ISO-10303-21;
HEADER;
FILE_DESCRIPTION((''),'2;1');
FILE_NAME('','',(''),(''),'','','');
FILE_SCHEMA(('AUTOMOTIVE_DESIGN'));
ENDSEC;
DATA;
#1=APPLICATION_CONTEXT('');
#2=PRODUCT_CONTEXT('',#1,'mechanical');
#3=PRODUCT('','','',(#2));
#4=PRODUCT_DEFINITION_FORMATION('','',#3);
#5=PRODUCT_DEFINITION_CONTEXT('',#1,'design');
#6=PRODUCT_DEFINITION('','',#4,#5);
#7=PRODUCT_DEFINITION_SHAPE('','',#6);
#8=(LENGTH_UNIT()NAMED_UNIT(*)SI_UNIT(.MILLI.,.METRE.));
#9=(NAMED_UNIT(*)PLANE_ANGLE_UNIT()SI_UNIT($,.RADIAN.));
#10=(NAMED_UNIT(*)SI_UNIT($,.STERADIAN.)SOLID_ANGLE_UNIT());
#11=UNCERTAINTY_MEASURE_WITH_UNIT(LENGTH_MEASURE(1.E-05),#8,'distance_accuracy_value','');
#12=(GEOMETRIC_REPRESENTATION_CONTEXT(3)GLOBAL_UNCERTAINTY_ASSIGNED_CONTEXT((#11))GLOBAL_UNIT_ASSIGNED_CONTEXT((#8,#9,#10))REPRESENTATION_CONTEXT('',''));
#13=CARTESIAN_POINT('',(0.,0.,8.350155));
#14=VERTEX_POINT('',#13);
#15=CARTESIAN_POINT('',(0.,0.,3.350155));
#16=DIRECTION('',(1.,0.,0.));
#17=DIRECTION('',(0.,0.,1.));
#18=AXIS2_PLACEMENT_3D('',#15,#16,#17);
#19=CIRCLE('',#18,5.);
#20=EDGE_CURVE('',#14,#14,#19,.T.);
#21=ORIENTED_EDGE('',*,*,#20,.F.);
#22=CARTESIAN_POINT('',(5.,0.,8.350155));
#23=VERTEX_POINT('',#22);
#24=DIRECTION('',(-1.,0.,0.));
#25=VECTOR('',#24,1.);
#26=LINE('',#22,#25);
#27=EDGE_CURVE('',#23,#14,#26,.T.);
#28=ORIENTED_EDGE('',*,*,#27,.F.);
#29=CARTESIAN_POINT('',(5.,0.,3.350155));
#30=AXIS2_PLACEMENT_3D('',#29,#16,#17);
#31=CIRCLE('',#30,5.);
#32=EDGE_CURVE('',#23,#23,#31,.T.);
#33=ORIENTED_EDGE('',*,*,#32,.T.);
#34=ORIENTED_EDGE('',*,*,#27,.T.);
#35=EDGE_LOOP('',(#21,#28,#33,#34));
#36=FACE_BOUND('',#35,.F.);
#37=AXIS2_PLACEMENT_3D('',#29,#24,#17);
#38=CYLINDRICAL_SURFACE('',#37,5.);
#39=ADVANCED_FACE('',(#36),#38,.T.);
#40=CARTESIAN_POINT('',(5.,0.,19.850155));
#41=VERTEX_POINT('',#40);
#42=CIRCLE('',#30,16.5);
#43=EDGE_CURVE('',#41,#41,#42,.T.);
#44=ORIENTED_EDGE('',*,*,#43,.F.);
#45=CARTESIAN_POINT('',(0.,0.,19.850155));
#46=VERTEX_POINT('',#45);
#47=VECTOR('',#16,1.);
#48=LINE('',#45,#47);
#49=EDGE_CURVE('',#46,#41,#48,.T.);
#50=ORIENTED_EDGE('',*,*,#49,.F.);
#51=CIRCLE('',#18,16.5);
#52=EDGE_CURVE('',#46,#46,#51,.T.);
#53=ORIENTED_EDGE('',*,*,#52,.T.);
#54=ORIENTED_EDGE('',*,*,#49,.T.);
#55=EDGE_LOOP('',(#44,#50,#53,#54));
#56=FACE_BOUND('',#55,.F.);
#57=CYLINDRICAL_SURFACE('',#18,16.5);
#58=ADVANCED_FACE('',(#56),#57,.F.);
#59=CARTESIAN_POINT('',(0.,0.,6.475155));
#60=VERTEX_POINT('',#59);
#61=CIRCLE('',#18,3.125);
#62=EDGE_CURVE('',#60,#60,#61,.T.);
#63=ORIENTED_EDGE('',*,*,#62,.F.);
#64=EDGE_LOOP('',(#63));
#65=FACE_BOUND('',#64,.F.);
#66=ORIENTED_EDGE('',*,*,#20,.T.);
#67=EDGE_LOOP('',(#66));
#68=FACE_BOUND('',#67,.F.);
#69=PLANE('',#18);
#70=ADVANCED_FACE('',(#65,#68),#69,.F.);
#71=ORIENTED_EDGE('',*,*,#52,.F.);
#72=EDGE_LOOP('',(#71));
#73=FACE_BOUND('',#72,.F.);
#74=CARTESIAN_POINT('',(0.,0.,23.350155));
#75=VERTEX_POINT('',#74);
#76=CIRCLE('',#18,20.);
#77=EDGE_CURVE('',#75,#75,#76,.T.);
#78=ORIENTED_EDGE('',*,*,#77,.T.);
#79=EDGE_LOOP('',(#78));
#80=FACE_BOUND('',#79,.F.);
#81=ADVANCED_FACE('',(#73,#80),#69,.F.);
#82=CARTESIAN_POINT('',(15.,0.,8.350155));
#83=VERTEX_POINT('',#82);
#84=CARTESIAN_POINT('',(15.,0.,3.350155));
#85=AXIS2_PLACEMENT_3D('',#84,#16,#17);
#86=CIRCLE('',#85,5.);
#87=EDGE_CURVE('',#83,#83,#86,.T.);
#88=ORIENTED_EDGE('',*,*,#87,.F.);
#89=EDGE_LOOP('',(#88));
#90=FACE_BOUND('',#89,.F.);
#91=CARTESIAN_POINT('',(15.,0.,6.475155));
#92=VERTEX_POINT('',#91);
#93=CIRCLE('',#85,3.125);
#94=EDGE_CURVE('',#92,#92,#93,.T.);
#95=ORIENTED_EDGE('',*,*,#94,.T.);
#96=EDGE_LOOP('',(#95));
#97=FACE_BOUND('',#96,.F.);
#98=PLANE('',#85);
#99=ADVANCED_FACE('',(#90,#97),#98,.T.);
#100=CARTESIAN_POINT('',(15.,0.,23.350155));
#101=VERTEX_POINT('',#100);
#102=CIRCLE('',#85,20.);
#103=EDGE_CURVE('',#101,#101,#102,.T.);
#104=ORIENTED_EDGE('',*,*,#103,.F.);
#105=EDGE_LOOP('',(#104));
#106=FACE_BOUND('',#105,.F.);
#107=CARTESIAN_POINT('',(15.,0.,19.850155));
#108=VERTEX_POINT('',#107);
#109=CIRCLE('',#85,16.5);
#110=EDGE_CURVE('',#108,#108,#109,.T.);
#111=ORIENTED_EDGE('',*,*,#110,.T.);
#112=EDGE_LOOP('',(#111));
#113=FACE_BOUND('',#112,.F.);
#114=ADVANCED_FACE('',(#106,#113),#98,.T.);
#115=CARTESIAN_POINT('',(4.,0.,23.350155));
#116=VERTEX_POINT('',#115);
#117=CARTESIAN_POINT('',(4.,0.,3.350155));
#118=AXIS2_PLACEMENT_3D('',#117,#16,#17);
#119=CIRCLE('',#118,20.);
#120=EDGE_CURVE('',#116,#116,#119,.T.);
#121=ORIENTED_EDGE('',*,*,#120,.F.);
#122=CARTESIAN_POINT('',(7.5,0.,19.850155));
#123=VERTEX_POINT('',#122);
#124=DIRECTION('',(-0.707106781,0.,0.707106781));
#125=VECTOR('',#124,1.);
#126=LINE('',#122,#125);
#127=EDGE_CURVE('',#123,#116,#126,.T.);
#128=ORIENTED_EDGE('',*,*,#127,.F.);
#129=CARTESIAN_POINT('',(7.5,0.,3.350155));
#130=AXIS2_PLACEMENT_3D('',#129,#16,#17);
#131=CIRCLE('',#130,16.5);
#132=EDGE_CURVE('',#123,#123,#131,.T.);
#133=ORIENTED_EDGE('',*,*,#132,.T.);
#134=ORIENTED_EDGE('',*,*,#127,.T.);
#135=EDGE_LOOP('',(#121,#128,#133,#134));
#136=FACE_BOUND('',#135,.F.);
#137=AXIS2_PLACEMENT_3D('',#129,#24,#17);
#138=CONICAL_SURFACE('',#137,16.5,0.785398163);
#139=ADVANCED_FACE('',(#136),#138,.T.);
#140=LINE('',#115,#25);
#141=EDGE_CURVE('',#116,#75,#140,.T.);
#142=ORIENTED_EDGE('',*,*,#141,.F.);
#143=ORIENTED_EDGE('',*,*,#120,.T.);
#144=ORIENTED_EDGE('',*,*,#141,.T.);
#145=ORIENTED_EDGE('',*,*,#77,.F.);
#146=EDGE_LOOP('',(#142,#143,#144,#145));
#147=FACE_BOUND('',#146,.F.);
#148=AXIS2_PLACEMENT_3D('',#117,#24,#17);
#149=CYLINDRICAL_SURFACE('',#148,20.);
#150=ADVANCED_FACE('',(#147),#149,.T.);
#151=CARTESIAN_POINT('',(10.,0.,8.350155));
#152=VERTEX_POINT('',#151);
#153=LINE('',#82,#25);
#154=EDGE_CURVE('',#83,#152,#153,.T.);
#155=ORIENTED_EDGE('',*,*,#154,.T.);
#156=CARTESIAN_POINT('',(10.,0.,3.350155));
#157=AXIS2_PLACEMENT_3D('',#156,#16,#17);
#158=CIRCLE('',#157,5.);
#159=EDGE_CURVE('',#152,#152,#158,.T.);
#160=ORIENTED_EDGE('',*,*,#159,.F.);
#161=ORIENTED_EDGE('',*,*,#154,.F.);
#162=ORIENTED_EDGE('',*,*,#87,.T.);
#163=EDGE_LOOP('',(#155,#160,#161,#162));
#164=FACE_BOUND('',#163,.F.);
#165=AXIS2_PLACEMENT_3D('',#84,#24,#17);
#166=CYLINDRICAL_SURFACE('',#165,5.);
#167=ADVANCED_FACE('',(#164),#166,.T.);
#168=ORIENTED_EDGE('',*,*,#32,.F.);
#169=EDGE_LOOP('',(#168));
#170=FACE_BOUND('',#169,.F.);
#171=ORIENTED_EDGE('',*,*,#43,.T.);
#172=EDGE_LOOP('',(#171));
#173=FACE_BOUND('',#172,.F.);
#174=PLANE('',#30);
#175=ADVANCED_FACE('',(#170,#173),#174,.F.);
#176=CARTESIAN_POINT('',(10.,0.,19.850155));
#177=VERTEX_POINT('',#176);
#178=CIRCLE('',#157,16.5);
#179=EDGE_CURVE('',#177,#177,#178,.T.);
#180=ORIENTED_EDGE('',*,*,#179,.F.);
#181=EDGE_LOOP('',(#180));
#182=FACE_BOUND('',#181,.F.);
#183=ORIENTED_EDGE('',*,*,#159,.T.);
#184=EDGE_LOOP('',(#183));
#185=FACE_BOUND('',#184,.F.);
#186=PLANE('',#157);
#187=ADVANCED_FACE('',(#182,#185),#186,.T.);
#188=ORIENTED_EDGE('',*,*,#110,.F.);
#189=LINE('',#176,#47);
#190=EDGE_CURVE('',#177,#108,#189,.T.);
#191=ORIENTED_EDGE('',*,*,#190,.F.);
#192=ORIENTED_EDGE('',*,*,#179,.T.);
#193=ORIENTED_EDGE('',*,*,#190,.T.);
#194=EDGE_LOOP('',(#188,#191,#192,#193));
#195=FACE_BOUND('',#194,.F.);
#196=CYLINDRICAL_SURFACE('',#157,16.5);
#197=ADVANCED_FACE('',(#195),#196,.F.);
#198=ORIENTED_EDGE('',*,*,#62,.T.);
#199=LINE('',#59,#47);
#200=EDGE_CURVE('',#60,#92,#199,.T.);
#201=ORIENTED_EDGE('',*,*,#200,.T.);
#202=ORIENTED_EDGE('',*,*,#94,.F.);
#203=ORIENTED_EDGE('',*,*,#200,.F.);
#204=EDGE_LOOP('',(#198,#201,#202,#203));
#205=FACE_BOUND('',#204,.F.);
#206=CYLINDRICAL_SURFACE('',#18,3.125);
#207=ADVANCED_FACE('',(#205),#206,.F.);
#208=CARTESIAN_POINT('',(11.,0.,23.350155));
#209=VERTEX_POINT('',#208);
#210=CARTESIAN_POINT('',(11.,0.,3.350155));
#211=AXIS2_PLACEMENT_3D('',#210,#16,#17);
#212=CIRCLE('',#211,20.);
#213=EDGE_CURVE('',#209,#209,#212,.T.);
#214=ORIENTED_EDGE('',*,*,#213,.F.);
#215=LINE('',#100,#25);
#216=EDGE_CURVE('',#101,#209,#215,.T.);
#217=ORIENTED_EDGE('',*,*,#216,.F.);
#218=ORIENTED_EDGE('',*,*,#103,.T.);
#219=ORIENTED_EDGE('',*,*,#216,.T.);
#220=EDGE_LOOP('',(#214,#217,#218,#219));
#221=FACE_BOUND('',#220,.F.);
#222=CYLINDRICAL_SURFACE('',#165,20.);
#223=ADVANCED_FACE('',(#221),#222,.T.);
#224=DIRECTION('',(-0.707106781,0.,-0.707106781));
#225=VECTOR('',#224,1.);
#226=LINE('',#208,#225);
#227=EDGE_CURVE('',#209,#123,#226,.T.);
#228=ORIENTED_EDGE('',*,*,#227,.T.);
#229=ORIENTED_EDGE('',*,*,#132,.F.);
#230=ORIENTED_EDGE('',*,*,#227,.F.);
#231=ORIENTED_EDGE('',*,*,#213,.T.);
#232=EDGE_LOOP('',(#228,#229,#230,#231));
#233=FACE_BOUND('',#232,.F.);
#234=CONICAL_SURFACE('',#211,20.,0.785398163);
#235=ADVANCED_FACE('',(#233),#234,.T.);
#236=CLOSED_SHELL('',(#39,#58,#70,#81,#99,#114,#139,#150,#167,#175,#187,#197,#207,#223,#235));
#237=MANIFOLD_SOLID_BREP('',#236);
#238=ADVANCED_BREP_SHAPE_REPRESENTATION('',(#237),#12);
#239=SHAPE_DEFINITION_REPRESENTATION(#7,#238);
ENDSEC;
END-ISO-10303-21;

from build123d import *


with BuildPart() as part:
    # Sketch2 → Revolve1 (revolve)
    with BuildSketch(Plane(origin=(0, 0, 0), x_dir=(1, 0, 0), z_dir=(0, 1, 0))):
        Polygon((0, -6.47515528), (15, -6.47515528), (15, -8.35015528), (10, -8.35015528), (10, -19.85015528), (15, -19.85015528), (15, -23.35015528), (11, -23.35015528), (7.5, -19.85015528), (4, -23.35015528), (0, -23.35015528), (0, -19.85015528), (5, -19.85015528), (5, -8.35015528), (0, -8.35015528), align=None)
    revolve(axis=Axis((-0.838509317, 0, 3.35015528), (1, 0, 0)))


solid = part.part
